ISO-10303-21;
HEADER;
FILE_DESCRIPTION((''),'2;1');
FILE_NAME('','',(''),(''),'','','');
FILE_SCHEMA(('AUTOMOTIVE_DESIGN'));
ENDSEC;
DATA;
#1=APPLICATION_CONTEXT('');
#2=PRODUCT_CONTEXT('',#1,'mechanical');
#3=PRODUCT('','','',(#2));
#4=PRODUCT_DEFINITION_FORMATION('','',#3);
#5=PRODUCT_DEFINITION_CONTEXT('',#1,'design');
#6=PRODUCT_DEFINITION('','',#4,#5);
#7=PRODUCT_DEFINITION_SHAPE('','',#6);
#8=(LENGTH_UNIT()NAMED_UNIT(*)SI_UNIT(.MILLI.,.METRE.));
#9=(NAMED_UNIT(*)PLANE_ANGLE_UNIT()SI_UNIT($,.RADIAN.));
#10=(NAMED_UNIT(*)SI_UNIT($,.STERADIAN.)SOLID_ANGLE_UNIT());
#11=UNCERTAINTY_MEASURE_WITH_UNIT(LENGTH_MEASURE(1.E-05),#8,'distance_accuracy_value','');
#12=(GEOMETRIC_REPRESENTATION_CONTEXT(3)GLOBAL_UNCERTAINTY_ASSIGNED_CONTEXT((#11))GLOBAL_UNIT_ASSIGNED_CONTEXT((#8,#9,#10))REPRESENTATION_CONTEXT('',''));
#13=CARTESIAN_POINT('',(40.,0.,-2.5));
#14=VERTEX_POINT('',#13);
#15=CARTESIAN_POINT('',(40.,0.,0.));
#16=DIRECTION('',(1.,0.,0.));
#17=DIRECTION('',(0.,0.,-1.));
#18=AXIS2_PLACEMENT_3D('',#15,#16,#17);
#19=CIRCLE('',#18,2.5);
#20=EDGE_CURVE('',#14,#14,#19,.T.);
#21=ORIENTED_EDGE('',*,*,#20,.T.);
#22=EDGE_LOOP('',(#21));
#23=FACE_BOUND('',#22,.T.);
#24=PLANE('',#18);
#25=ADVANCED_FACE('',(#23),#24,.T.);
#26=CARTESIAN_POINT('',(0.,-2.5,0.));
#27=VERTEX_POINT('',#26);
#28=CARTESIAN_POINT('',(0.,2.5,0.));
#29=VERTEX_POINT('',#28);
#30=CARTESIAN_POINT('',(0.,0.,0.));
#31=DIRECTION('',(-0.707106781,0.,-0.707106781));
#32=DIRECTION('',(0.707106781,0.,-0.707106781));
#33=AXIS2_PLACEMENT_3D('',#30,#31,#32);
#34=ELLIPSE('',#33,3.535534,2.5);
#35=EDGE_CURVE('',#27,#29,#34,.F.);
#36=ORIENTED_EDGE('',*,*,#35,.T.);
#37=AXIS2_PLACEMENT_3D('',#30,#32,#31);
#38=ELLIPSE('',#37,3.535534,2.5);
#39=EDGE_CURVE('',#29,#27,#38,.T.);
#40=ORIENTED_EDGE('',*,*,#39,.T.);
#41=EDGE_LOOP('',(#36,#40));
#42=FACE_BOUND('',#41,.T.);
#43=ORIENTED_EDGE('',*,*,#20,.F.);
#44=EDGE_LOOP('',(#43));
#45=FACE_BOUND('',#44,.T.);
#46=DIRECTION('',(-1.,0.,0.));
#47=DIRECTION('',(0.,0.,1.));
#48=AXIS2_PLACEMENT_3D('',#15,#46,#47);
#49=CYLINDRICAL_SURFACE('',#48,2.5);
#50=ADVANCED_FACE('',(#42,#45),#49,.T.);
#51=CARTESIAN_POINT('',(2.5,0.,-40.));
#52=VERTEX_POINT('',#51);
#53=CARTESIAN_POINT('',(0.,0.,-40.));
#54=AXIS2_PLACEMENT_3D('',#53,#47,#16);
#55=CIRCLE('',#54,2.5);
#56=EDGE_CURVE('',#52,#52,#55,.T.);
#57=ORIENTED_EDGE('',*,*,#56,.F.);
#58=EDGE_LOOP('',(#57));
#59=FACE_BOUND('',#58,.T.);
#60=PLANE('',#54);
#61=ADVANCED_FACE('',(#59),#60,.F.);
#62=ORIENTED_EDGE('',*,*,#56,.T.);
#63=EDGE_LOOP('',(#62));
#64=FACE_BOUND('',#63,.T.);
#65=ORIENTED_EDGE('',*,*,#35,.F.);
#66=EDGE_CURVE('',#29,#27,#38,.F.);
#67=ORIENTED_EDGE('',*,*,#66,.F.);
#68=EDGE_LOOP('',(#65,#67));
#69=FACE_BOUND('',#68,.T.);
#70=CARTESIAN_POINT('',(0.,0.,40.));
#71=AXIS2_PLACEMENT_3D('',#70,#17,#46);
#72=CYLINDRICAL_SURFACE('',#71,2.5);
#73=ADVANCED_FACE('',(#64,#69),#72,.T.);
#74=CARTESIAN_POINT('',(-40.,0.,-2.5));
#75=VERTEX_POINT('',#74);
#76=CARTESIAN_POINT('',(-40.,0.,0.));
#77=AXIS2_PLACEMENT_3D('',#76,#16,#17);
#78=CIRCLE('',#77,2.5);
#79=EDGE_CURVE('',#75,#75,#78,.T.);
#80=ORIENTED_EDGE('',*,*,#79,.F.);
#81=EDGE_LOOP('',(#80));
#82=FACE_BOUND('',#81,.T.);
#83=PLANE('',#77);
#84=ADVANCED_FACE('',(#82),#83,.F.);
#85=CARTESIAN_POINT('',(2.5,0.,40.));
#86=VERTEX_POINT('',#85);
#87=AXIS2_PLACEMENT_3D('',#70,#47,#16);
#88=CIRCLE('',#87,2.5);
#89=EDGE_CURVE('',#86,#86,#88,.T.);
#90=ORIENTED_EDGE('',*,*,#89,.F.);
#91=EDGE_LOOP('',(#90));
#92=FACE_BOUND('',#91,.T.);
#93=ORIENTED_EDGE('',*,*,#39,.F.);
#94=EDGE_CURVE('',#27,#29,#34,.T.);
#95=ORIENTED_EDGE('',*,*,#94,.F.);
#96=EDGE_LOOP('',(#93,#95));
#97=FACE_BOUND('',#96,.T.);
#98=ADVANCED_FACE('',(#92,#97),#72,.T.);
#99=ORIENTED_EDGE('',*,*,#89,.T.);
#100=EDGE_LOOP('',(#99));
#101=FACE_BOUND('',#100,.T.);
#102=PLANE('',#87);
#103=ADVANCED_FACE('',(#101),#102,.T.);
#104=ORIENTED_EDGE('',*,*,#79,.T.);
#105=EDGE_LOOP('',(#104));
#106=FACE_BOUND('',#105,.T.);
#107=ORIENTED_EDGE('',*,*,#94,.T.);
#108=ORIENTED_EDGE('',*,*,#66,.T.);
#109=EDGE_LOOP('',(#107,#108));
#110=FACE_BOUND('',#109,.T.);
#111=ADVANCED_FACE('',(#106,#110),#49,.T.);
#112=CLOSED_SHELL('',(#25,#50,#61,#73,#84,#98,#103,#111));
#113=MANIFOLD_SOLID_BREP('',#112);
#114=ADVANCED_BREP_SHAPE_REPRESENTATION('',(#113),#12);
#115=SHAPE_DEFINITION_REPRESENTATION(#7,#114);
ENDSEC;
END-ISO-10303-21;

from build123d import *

# Parameters (mm, degrees)
SKETCH4_R           = 2.5
BOSS_EXTRUDE3_DEPTH = 40
SKETCH5_R           = 2.5
BOSS_EXTRUDE4_DEPTH = 40


with BuildPart() as part:
    # Sketch4 → Boss-Extrude3 (new body, symmetric)
    with BuildSketch(Plane.XY):
        Circle(SKETCH4_R)
    extrude(amount=BOSS_EXTRUDE3_DEPTH, both=True)

    # Sketch5 → Boss-Extrude4 (add, symmetric)
    with BuildSketch(Plane(origin=(0, 0, 0), x_dir=(0, 0, -1), z_dir=(1, 0, 0))):
        Circle(SKETCH5_R)
    extrude(amount=BOSS_EXTRUDE4_DEPTH, both=True)


solid = part.part
